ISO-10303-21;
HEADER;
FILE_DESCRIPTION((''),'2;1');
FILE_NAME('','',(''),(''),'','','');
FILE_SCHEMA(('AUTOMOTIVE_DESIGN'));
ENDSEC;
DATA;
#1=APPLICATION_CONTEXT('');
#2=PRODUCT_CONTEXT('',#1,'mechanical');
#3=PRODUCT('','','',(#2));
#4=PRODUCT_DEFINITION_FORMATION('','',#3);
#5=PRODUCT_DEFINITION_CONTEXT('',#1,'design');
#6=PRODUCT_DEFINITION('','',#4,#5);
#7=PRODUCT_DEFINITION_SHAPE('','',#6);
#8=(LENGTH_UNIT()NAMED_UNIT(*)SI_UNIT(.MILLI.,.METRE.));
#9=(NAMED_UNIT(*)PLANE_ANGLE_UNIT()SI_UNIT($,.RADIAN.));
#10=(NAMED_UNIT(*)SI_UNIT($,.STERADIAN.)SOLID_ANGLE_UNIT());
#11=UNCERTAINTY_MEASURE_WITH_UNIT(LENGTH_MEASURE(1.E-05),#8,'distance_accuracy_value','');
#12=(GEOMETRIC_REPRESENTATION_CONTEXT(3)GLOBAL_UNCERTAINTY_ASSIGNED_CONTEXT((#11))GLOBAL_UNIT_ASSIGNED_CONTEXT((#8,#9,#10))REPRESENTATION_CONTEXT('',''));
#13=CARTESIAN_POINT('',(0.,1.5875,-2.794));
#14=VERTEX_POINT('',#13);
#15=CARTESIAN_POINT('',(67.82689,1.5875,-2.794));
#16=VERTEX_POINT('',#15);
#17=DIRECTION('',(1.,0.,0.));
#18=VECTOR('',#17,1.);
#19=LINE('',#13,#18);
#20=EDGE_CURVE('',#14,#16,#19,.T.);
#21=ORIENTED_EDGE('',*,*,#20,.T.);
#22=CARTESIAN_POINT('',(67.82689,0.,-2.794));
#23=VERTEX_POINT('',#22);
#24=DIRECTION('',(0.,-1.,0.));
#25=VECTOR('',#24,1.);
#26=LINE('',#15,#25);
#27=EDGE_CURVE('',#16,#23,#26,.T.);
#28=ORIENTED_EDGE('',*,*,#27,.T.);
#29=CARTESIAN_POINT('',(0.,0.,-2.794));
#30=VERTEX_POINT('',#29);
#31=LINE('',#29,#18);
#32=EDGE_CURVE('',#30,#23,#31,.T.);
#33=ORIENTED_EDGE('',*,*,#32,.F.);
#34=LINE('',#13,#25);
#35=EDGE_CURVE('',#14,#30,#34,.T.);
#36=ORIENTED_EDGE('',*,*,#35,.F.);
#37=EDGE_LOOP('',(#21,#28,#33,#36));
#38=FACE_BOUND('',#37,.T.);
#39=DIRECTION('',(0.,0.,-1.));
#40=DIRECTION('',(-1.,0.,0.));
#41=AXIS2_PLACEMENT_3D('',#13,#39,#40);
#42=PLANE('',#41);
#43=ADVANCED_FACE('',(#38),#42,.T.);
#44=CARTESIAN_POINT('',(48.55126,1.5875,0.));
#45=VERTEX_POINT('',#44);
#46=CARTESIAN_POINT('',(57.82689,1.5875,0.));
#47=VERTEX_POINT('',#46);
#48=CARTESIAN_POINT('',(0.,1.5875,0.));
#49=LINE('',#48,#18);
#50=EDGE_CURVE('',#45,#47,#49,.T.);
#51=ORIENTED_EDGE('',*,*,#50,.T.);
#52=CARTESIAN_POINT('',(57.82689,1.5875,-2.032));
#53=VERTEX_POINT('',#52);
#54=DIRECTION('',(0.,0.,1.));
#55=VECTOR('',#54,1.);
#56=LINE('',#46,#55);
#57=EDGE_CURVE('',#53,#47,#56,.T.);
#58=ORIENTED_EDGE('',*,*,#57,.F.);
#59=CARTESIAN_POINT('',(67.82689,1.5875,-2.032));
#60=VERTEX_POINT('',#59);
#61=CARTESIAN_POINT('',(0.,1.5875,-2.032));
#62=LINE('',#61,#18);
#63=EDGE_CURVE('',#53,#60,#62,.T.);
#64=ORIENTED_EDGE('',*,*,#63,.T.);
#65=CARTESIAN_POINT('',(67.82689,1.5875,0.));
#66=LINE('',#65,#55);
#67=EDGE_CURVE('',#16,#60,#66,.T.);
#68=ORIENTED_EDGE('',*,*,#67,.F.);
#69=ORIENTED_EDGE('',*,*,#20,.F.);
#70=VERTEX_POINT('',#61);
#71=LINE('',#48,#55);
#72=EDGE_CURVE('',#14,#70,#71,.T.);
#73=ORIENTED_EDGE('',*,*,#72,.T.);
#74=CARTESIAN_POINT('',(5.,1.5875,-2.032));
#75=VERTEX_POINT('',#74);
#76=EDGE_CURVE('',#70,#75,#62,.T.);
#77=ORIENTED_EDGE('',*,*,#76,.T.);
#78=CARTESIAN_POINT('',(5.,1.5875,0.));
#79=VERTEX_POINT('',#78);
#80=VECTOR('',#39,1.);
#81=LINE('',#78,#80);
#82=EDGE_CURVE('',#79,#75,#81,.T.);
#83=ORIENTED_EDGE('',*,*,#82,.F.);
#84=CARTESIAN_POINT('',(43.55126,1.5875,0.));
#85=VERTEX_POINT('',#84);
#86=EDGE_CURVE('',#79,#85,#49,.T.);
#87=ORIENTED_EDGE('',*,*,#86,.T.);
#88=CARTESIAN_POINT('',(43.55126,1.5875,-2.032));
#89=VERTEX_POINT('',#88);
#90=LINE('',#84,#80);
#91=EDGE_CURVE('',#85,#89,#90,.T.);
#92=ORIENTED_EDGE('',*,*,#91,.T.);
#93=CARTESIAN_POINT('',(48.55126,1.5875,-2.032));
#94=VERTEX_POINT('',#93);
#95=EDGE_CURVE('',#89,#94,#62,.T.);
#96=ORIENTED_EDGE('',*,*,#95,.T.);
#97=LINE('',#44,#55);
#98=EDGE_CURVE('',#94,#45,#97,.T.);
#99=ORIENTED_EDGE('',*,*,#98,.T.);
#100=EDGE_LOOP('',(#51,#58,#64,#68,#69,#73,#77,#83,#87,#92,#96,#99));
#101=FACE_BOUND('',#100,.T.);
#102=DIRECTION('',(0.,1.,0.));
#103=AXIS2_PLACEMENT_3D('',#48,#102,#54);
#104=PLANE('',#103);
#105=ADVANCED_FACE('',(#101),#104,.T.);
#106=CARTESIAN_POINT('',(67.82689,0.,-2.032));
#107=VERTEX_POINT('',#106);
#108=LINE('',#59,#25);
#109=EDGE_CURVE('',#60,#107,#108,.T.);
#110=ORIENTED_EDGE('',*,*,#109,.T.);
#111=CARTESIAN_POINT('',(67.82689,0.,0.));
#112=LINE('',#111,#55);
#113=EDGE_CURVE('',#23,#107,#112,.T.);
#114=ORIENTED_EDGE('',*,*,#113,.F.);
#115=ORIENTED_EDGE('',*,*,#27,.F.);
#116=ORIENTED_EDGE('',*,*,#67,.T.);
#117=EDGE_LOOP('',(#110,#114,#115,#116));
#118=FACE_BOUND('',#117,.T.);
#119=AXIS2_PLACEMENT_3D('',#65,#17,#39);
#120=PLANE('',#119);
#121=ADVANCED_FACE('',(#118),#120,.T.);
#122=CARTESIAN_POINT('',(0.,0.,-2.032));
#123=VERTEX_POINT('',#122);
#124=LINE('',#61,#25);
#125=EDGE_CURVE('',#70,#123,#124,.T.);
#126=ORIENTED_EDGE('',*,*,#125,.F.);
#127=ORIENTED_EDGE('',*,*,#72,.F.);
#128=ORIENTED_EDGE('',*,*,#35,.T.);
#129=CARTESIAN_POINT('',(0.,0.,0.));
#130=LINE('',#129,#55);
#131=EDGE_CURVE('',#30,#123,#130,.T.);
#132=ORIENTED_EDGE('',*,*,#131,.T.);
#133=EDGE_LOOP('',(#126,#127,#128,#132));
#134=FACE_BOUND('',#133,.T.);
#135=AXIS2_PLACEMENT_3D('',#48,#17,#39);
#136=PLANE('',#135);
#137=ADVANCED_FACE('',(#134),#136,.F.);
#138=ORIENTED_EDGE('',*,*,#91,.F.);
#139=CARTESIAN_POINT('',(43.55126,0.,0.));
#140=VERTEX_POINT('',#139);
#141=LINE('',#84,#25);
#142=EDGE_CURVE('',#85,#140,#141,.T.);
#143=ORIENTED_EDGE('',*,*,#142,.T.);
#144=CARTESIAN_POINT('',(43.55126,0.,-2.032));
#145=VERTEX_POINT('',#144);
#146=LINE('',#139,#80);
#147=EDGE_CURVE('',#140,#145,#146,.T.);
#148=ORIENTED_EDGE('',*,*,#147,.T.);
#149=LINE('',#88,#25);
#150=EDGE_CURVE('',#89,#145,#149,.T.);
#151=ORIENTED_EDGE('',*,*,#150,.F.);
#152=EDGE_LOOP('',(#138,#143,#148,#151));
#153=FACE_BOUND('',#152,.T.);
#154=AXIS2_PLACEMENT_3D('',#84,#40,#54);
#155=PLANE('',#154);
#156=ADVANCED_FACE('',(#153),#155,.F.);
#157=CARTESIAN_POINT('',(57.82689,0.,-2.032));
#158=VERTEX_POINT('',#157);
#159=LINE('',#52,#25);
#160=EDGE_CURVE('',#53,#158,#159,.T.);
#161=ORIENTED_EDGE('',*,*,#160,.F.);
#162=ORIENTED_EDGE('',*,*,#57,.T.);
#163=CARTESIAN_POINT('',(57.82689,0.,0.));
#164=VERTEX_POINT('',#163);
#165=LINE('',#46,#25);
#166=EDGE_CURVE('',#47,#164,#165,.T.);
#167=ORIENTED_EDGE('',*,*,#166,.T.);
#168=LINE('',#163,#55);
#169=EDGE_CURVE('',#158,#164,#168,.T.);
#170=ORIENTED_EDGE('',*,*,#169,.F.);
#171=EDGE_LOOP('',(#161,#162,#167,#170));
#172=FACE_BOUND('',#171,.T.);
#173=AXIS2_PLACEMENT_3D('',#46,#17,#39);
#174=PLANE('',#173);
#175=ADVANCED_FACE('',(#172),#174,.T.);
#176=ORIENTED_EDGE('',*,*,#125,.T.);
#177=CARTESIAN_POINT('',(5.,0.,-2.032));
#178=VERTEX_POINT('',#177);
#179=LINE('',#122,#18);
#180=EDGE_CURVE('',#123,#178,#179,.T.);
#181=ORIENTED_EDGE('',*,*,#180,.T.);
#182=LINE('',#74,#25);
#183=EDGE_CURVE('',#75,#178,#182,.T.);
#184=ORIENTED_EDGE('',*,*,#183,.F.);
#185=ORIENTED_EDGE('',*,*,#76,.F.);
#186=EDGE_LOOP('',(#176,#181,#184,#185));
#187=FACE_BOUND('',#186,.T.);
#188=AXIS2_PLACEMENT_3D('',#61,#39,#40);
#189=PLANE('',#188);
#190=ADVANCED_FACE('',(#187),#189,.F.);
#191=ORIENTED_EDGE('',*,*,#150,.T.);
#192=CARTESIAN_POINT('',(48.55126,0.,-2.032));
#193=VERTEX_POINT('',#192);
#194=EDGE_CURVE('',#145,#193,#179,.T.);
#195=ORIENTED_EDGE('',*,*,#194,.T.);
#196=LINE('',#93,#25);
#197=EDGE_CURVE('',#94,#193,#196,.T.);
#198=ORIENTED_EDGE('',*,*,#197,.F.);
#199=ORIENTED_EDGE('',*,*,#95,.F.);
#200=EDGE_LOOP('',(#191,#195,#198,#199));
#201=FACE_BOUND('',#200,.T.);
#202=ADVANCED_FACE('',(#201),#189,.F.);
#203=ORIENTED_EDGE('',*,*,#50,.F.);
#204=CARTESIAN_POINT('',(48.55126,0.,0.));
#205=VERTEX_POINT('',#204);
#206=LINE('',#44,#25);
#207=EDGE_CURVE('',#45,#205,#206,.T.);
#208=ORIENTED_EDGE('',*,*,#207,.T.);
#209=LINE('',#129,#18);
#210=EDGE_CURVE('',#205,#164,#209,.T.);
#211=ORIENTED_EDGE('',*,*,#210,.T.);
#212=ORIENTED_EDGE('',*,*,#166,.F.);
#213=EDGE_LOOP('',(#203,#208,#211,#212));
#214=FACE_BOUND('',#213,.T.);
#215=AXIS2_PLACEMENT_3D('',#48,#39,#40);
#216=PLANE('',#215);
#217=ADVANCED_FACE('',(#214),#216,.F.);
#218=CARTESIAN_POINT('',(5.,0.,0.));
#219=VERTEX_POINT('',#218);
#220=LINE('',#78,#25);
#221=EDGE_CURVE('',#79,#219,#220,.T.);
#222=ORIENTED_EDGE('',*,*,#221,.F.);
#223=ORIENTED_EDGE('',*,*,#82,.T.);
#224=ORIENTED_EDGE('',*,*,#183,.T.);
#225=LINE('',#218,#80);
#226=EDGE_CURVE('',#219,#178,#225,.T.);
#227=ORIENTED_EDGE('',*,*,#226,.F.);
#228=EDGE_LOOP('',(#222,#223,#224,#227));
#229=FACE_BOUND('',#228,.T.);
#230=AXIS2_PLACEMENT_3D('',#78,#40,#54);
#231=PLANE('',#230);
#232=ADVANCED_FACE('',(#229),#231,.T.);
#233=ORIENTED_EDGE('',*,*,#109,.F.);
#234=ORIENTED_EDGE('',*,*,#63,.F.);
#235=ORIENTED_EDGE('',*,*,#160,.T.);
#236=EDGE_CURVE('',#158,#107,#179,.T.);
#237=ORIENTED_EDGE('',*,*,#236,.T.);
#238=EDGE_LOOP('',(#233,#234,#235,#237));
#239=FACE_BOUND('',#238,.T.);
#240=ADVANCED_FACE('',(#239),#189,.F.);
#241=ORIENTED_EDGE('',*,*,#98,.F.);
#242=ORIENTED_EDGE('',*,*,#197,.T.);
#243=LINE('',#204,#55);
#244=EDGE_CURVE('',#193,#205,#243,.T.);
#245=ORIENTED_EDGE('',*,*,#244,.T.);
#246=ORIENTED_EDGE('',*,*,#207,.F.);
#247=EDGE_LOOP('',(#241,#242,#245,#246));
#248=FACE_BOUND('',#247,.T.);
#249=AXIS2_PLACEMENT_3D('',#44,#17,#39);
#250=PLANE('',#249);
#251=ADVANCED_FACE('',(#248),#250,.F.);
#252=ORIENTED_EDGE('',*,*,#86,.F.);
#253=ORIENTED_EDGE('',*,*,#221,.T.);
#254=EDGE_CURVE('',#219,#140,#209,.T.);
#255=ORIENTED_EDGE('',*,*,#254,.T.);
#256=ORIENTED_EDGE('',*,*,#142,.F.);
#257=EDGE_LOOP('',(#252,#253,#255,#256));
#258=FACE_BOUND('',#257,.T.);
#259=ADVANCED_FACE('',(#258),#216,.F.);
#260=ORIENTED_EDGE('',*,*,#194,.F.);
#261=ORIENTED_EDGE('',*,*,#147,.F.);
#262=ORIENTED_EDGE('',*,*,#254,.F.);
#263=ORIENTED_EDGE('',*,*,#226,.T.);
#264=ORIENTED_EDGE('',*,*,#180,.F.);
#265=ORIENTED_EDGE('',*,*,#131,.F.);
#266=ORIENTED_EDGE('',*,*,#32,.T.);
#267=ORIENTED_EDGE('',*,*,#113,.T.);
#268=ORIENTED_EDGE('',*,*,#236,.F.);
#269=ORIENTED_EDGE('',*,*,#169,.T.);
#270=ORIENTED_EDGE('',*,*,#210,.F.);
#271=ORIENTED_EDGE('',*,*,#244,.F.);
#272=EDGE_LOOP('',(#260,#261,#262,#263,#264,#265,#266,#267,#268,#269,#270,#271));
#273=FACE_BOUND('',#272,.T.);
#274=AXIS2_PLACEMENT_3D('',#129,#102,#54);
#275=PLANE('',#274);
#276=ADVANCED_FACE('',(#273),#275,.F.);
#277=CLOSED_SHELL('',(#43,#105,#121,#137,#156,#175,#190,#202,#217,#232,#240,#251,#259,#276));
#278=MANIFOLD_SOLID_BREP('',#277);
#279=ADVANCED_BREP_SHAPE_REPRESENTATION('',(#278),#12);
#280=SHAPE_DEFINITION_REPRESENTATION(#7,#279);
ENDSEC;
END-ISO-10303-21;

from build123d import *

# Parameters (mm, degrees)
BOSS_EXTRUDE1_DEPTH = 1.5875


with BuildPart() as part:
    # Sketch1 → Boss-Extrude1 (new body)
    with BuildSketch(Plane(origin=(0, 0, 0), x_dir=(1, 0, 0), z_dir=(0, 1, 0))):
        Polygon((5, 2.032), (5, 0), (38.55125958, 0), (43.55125958, 0), (43.55125958, 2.032), (48.55125958, 2.032), (48.55125958, 0), (57.82689, 0), (57.82689, 2.032), (67.82689, 2.032), (67.82689, 2.794), (0, 2.794), (0, 2.032), align=None)
    extrude(amount=BOSS_EXTRUDE1_DEPTH)


solid = part.part
